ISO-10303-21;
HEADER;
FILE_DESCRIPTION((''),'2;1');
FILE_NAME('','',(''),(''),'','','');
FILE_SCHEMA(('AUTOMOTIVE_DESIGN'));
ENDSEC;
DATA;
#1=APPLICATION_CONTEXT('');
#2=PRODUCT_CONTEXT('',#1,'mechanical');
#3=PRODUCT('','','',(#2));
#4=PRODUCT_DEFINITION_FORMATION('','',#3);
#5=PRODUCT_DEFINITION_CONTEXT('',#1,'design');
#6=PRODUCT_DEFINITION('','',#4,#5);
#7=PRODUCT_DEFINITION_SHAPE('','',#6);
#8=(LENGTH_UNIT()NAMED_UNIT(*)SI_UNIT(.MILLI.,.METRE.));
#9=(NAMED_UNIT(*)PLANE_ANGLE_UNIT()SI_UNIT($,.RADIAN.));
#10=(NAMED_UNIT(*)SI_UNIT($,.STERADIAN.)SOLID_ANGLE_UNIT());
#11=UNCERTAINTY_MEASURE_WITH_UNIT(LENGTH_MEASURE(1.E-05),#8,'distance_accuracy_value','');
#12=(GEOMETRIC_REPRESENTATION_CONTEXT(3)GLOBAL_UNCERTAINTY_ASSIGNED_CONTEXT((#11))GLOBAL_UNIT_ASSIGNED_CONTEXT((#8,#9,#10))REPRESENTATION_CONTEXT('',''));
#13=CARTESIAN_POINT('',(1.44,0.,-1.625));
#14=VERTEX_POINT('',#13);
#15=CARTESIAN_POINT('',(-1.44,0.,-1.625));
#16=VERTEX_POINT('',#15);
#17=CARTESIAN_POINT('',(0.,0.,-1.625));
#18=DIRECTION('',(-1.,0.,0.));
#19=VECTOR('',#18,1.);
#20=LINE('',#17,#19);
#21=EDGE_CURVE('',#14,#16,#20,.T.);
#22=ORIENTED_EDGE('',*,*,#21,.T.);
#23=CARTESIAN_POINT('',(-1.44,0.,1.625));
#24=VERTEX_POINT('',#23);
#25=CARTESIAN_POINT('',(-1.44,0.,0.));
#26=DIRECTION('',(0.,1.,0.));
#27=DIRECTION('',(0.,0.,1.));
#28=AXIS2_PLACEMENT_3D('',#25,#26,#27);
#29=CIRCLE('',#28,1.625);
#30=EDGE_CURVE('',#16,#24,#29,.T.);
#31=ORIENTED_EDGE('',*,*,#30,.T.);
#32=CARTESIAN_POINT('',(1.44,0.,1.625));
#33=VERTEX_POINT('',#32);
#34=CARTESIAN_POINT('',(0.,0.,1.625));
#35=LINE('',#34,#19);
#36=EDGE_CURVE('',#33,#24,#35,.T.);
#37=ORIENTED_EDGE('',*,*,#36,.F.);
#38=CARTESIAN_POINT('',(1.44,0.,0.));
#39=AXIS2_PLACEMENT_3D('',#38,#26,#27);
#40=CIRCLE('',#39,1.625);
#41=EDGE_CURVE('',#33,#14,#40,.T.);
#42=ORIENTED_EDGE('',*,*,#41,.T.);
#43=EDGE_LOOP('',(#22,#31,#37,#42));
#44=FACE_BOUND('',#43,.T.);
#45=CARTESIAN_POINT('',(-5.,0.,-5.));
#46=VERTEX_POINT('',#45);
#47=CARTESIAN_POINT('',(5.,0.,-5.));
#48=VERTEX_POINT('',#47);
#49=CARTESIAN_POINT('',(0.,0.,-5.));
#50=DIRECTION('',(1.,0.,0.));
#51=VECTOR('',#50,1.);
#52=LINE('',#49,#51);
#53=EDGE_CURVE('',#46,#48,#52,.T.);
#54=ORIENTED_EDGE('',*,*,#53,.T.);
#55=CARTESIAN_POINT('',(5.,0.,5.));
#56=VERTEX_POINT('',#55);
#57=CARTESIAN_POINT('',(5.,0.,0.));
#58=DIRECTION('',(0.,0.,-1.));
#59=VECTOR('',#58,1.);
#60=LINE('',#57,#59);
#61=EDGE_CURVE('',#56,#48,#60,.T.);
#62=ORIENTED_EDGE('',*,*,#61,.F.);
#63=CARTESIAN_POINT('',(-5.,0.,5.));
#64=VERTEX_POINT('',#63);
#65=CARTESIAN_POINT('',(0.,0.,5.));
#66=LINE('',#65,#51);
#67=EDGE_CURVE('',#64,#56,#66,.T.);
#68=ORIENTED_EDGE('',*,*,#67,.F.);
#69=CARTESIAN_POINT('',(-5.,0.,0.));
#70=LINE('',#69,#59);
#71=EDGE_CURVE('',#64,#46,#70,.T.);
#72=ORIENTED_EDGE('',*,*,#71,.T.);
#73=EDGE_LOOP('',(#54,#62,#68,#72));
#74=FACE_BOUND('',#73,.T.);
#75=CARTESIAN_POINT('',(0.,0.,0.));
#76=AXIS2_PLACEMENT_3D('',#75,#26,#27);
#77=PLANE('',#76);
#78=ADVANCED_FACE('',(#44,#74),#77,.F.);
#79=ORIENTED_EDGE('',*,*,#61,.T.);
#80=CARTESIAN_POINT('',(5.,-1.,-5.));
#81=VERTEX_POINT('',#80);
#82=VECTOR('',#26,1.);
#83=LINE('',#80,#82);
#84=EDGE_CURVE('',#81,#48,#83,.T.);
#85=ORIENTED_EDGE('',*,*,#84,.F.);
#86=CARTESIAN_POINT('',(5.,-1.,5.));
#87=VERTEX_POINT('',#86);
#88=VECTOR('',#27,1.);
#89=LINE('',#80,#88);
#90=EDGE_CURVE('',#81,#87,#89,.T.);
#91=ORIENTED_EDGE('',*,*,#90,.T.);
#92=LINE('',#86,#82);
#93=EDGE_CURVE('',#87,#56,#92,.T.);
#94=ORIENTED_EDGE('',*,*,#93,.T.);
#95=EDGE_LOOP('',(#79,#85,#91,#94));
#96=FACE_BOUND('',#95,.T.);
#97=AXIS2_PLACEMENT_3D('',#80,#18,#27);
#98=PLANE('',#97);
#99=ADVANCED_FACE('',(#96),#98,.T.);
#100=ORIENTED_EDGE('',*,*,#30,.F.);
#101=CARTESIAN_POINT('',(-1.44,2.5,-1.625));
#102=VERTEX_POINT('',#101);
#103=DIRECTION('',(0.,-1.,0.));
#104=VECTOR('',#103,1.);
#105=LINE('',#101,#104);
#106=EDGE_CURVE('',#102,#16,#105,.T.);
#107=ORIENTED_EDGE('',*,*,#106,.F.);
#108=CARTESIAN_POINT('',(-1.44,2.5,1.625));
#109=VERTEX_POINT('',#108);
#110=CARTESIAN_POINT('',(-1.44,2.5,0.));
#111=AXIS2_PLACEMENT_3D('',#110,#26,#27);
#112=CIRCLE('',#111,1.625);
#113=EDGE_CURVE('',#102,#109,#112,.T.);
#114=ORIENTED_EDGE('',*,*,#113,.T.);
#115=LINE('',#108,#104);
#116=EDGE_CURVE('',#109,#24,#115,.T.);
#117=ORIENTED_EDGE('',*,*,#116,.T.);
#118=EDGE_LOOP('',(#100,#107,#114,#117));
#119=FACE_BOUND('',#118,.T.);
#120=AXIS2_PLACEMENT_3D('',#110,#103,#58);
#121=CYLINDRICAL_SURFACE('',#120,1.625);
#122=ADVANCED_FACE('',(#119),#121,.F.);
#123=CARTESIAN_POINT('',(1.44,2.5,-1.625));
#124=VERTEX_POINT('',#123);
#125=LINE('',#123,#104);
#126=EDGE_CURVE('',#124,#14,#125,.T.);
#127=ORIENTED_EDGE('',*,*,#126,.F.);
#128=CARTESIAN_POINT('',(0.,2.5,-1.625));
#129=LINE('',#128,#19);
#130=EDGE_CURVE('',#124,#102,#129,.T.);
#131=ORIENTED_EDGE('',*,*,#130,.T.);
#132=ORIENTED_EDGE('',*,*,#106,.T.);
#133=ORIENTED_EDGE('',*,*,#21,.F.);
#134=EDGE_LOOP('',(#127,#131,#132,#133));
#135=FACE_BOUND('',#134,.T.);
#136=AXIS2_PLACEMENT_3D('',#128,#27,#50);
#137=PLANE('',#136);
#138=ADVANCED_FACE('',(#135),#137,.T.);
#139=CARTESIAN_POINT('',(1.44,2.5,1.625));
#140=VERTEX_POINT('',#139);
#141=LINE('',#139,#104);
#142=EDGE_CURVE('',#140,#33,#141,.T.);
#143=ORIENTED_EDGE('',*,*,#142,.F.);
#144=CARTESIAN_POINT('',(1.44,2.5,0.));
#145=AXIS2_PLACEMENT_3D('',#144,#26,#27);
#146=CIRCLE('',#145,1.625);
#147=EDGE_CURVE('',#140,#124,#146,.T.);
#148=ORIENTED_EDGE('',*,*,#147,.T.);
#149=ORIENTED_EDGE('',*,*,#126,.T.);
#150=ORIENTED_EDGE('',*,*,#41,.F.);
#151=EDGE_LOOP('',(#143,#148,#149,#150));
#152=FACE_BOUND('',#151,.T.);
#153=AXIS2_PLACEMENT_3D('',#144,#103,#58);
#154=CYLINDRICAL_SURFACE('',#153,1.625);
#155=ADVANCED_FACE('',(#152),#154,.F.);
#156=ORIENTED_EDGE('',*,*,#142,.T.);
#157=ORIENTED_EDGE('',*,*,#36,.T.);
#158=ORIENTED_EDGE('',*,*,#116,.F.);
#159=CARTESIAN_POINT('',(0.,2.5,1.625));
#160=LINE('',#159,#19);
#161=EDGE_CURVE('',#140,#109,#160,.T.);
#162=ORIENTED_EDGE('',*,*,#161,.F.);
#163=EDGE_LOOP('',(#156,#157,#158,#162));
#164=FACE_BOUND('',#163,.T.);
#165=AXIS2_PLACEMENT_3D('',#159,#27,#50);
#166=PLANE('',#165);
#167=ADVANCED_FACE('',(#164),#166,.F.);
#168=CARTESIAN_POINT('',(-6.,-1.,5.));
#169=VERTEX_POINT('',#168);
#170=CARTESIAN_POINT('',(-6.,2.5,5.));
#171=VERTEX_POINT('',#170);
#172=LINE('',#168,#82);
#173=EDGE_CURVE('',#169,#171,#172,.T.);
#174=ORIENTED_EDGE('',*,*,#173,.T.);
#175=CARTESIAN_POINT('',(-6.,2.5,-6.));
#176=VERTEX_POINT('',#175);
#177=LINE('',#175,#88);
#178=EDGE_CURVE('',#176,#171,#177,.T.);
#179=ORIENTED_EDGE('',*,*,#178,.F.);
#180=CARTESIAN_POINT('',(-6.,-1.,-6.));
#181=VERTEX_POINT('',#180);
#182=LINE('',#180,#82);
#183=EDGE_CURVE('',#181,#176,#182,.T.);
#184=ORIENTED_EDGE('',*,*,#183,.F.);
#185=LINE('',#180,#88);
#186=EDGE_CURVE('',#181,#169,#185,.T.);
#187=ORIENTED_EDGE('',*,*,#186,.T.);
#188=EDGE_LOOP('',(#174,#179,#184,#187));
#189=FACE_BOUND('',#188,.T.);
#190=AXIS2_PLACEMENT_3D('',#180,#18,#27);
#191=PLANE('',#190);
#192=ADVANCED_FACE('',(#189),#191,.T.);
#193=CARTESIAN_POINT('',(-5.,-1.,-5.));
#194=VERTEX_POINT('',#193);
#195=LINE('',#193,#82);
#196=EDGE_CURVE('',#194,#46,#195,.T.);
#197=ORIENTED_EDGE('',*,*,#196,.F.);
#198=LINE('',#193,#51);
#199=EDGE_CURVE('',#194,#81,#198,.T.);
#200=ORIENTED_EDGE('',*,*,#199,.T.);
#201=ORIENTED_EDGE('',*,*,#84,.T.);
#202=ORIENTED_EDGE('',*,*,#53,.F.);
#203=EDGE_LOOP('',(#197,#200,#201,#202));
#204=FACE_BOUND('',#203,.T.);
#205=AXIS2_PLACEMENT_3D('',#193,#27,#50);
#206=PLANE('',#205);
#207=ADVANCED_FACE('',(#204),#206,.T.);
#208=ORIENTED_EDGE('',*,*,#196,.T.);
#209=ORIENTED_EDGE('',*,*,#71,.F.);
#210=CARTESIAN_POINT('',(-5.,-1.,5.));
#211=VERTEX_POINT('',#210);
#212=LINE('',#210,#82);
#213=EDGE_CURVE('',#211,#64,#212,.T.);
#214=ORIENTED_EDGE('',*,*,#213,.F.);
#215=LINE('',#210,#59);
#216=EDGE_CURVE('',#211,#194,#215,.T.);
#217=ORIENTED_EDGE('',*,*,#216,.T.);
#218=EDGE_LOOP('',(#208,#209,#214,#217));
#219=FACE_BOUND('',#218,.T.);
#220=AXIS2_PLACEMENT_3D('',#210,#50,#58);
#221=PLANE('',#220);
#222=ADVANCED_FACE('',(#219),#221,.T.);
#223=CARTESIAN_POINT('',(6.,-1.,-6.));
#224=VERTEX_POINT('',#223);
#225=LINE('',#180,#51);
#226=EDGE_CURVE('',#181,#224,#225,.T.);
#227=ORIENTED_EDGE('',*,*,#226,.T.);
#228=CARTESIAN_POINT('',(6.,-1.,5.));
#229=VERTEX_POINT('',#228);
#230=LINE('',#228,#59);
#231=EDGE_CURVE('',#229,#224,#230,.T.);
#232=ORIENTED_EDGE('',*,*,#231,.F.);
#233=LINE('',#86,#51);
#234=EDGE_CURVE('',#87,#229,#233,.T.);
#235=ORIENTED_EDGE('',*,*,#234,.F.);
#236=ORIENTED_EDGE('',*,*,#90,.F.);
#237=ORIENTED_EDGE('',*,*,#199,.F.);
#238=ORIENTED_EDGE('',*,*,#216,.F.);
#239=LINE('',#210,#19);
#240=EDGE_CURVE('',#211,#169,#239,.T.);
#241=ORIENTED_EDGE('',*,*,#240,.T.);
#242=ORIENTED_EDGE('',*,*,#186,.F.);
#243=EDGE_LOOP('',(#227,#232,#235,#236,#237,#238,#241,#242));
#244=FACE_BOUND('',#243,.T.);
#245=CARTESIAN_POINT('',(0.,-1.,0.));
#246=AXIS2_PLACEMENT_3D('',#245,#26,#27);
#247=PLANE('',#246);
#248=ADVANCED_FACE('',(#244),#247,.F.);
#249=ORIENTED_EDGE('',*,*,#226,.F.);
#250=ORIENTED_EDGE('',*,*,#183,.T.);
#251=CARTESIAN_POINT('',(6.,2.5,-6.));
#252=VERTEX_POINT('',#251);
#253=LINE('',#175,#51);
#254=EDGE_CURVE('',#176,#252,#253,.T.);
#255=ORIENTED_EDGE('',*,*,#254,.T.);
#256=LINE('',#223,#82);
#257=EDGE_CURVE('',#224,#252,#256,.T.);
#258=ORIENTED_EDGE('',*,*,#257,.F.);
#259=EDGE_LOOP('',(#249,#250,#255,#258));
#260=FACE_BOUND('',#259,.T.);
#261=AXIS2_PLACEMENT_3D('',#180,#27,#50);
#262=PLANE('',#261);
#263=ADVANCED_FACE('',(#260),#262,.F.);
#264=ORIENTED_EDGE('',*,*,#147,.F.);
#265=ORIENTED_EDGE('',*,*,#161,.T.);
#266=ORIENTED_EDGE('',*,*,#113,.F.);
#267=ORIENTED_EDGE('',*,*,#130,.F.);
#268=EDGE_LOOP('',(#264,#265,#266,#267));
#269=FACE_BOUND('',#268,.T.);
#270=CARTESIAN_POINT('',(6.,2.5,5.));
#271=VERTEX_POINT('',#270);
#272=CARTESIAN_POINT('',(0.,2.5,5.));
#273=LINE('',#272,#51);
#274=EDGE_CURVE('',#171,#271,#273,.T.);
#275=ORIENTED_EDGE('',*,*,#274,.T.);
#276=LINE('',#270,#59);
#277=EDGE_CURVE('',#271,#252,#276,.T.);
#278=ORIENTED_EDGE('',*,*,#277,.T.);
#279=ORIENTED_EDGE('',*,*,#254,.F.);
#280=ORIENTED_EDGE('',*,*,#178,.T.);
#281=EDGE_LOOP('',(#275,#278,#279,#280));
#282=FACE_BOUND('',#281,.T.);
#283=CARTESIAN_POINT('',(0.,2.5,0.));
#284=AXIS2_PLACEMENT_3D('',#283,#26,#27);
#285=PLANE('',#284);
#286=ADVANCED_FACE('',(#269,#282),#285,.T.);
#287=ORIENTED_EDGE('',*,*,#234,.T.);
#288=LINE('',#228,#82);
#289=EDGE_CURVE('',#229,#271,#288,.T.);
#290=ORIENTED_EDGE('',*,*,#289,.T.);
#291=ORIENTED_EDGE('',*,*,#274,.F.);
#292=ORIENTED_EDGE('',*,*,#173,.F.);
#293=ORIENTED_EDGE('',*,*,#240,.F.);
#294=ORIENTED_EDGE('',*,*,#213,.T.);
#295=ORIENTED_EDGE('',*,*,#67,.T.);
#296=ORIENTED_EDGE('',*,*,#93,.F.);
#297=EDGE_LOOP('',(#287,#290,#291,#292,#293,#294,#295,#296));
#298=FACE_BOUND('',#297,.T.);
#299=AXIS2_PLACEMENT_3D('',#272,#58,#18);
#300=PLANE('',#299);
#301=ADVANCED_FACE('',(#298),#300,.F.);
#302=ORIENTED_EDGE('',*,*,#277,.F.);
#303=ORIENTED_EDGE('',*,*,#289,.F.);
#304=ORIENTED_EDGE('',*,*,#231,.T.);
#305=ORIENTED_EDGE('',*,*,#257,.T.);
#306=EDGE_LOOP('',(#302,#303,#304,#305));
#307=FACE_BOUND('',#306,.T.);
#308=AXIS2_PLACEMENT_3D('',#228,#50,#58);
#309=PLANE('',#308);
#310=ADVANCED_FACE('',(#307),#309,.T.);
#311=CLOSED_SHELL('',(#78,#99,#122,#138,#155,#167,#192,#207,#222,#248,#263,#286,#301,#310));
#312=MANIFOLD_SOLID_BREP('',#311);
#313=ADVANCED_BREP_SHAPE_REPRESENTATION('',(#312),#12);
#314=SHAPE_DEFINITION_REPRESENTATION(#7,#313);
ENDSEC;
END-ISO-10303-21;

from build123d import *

# Parameters (mm, degrees)
SKETCH1_W           = 10
SKETCH1_H           = 10
BOSS_EXTRUDE1_DEPTH = 2.5
BOSS_EXTRUDE2_DEPTH = 3.5


with BuildPart() as part:
    # Sketch1 → Boss-Extrude1 (new body)
    with BuildSketch(Plane(origin=(0, 0, 0), x_dir=(1, 0, 0), z_dir=(0, 1, 0))):
        Rectangle(SKETCH1_W, SKETCH1_H)
        with BuildLine():
            ThreePointArc((-1.44, 1.625), (-3.065, 0), (-1.44, -1.625))
            Line((-1.44, -1.625), (1.44, -1.625))
            ThreePointArc((1.44, -1.625), (3.065, 0), (1.44, 1.625))
            Line((1.44, 1.625), (-1.44, 1.625))
        make_face(mode=Mode.SUBTRACT)
    extrude(amount=BOSS_EXTRUDE1_DEPTH)

    # Sketch2 → Boss-Extrude2 (add)
    with BuildSketch(Plane(origin=(0, 2.5, 0), x_dir=(1, 0, 0), z_dir=(0, 1, 0))):
        Polygon((-5, -5), (-5, 5), (5, 5), (5, -5), (6, -5), (6, 6), (-6, 6), (-6, -5), align=None)
    extrude(amount=-BOSS_EXTRUDE2_DEPTH)


solid = part.part
